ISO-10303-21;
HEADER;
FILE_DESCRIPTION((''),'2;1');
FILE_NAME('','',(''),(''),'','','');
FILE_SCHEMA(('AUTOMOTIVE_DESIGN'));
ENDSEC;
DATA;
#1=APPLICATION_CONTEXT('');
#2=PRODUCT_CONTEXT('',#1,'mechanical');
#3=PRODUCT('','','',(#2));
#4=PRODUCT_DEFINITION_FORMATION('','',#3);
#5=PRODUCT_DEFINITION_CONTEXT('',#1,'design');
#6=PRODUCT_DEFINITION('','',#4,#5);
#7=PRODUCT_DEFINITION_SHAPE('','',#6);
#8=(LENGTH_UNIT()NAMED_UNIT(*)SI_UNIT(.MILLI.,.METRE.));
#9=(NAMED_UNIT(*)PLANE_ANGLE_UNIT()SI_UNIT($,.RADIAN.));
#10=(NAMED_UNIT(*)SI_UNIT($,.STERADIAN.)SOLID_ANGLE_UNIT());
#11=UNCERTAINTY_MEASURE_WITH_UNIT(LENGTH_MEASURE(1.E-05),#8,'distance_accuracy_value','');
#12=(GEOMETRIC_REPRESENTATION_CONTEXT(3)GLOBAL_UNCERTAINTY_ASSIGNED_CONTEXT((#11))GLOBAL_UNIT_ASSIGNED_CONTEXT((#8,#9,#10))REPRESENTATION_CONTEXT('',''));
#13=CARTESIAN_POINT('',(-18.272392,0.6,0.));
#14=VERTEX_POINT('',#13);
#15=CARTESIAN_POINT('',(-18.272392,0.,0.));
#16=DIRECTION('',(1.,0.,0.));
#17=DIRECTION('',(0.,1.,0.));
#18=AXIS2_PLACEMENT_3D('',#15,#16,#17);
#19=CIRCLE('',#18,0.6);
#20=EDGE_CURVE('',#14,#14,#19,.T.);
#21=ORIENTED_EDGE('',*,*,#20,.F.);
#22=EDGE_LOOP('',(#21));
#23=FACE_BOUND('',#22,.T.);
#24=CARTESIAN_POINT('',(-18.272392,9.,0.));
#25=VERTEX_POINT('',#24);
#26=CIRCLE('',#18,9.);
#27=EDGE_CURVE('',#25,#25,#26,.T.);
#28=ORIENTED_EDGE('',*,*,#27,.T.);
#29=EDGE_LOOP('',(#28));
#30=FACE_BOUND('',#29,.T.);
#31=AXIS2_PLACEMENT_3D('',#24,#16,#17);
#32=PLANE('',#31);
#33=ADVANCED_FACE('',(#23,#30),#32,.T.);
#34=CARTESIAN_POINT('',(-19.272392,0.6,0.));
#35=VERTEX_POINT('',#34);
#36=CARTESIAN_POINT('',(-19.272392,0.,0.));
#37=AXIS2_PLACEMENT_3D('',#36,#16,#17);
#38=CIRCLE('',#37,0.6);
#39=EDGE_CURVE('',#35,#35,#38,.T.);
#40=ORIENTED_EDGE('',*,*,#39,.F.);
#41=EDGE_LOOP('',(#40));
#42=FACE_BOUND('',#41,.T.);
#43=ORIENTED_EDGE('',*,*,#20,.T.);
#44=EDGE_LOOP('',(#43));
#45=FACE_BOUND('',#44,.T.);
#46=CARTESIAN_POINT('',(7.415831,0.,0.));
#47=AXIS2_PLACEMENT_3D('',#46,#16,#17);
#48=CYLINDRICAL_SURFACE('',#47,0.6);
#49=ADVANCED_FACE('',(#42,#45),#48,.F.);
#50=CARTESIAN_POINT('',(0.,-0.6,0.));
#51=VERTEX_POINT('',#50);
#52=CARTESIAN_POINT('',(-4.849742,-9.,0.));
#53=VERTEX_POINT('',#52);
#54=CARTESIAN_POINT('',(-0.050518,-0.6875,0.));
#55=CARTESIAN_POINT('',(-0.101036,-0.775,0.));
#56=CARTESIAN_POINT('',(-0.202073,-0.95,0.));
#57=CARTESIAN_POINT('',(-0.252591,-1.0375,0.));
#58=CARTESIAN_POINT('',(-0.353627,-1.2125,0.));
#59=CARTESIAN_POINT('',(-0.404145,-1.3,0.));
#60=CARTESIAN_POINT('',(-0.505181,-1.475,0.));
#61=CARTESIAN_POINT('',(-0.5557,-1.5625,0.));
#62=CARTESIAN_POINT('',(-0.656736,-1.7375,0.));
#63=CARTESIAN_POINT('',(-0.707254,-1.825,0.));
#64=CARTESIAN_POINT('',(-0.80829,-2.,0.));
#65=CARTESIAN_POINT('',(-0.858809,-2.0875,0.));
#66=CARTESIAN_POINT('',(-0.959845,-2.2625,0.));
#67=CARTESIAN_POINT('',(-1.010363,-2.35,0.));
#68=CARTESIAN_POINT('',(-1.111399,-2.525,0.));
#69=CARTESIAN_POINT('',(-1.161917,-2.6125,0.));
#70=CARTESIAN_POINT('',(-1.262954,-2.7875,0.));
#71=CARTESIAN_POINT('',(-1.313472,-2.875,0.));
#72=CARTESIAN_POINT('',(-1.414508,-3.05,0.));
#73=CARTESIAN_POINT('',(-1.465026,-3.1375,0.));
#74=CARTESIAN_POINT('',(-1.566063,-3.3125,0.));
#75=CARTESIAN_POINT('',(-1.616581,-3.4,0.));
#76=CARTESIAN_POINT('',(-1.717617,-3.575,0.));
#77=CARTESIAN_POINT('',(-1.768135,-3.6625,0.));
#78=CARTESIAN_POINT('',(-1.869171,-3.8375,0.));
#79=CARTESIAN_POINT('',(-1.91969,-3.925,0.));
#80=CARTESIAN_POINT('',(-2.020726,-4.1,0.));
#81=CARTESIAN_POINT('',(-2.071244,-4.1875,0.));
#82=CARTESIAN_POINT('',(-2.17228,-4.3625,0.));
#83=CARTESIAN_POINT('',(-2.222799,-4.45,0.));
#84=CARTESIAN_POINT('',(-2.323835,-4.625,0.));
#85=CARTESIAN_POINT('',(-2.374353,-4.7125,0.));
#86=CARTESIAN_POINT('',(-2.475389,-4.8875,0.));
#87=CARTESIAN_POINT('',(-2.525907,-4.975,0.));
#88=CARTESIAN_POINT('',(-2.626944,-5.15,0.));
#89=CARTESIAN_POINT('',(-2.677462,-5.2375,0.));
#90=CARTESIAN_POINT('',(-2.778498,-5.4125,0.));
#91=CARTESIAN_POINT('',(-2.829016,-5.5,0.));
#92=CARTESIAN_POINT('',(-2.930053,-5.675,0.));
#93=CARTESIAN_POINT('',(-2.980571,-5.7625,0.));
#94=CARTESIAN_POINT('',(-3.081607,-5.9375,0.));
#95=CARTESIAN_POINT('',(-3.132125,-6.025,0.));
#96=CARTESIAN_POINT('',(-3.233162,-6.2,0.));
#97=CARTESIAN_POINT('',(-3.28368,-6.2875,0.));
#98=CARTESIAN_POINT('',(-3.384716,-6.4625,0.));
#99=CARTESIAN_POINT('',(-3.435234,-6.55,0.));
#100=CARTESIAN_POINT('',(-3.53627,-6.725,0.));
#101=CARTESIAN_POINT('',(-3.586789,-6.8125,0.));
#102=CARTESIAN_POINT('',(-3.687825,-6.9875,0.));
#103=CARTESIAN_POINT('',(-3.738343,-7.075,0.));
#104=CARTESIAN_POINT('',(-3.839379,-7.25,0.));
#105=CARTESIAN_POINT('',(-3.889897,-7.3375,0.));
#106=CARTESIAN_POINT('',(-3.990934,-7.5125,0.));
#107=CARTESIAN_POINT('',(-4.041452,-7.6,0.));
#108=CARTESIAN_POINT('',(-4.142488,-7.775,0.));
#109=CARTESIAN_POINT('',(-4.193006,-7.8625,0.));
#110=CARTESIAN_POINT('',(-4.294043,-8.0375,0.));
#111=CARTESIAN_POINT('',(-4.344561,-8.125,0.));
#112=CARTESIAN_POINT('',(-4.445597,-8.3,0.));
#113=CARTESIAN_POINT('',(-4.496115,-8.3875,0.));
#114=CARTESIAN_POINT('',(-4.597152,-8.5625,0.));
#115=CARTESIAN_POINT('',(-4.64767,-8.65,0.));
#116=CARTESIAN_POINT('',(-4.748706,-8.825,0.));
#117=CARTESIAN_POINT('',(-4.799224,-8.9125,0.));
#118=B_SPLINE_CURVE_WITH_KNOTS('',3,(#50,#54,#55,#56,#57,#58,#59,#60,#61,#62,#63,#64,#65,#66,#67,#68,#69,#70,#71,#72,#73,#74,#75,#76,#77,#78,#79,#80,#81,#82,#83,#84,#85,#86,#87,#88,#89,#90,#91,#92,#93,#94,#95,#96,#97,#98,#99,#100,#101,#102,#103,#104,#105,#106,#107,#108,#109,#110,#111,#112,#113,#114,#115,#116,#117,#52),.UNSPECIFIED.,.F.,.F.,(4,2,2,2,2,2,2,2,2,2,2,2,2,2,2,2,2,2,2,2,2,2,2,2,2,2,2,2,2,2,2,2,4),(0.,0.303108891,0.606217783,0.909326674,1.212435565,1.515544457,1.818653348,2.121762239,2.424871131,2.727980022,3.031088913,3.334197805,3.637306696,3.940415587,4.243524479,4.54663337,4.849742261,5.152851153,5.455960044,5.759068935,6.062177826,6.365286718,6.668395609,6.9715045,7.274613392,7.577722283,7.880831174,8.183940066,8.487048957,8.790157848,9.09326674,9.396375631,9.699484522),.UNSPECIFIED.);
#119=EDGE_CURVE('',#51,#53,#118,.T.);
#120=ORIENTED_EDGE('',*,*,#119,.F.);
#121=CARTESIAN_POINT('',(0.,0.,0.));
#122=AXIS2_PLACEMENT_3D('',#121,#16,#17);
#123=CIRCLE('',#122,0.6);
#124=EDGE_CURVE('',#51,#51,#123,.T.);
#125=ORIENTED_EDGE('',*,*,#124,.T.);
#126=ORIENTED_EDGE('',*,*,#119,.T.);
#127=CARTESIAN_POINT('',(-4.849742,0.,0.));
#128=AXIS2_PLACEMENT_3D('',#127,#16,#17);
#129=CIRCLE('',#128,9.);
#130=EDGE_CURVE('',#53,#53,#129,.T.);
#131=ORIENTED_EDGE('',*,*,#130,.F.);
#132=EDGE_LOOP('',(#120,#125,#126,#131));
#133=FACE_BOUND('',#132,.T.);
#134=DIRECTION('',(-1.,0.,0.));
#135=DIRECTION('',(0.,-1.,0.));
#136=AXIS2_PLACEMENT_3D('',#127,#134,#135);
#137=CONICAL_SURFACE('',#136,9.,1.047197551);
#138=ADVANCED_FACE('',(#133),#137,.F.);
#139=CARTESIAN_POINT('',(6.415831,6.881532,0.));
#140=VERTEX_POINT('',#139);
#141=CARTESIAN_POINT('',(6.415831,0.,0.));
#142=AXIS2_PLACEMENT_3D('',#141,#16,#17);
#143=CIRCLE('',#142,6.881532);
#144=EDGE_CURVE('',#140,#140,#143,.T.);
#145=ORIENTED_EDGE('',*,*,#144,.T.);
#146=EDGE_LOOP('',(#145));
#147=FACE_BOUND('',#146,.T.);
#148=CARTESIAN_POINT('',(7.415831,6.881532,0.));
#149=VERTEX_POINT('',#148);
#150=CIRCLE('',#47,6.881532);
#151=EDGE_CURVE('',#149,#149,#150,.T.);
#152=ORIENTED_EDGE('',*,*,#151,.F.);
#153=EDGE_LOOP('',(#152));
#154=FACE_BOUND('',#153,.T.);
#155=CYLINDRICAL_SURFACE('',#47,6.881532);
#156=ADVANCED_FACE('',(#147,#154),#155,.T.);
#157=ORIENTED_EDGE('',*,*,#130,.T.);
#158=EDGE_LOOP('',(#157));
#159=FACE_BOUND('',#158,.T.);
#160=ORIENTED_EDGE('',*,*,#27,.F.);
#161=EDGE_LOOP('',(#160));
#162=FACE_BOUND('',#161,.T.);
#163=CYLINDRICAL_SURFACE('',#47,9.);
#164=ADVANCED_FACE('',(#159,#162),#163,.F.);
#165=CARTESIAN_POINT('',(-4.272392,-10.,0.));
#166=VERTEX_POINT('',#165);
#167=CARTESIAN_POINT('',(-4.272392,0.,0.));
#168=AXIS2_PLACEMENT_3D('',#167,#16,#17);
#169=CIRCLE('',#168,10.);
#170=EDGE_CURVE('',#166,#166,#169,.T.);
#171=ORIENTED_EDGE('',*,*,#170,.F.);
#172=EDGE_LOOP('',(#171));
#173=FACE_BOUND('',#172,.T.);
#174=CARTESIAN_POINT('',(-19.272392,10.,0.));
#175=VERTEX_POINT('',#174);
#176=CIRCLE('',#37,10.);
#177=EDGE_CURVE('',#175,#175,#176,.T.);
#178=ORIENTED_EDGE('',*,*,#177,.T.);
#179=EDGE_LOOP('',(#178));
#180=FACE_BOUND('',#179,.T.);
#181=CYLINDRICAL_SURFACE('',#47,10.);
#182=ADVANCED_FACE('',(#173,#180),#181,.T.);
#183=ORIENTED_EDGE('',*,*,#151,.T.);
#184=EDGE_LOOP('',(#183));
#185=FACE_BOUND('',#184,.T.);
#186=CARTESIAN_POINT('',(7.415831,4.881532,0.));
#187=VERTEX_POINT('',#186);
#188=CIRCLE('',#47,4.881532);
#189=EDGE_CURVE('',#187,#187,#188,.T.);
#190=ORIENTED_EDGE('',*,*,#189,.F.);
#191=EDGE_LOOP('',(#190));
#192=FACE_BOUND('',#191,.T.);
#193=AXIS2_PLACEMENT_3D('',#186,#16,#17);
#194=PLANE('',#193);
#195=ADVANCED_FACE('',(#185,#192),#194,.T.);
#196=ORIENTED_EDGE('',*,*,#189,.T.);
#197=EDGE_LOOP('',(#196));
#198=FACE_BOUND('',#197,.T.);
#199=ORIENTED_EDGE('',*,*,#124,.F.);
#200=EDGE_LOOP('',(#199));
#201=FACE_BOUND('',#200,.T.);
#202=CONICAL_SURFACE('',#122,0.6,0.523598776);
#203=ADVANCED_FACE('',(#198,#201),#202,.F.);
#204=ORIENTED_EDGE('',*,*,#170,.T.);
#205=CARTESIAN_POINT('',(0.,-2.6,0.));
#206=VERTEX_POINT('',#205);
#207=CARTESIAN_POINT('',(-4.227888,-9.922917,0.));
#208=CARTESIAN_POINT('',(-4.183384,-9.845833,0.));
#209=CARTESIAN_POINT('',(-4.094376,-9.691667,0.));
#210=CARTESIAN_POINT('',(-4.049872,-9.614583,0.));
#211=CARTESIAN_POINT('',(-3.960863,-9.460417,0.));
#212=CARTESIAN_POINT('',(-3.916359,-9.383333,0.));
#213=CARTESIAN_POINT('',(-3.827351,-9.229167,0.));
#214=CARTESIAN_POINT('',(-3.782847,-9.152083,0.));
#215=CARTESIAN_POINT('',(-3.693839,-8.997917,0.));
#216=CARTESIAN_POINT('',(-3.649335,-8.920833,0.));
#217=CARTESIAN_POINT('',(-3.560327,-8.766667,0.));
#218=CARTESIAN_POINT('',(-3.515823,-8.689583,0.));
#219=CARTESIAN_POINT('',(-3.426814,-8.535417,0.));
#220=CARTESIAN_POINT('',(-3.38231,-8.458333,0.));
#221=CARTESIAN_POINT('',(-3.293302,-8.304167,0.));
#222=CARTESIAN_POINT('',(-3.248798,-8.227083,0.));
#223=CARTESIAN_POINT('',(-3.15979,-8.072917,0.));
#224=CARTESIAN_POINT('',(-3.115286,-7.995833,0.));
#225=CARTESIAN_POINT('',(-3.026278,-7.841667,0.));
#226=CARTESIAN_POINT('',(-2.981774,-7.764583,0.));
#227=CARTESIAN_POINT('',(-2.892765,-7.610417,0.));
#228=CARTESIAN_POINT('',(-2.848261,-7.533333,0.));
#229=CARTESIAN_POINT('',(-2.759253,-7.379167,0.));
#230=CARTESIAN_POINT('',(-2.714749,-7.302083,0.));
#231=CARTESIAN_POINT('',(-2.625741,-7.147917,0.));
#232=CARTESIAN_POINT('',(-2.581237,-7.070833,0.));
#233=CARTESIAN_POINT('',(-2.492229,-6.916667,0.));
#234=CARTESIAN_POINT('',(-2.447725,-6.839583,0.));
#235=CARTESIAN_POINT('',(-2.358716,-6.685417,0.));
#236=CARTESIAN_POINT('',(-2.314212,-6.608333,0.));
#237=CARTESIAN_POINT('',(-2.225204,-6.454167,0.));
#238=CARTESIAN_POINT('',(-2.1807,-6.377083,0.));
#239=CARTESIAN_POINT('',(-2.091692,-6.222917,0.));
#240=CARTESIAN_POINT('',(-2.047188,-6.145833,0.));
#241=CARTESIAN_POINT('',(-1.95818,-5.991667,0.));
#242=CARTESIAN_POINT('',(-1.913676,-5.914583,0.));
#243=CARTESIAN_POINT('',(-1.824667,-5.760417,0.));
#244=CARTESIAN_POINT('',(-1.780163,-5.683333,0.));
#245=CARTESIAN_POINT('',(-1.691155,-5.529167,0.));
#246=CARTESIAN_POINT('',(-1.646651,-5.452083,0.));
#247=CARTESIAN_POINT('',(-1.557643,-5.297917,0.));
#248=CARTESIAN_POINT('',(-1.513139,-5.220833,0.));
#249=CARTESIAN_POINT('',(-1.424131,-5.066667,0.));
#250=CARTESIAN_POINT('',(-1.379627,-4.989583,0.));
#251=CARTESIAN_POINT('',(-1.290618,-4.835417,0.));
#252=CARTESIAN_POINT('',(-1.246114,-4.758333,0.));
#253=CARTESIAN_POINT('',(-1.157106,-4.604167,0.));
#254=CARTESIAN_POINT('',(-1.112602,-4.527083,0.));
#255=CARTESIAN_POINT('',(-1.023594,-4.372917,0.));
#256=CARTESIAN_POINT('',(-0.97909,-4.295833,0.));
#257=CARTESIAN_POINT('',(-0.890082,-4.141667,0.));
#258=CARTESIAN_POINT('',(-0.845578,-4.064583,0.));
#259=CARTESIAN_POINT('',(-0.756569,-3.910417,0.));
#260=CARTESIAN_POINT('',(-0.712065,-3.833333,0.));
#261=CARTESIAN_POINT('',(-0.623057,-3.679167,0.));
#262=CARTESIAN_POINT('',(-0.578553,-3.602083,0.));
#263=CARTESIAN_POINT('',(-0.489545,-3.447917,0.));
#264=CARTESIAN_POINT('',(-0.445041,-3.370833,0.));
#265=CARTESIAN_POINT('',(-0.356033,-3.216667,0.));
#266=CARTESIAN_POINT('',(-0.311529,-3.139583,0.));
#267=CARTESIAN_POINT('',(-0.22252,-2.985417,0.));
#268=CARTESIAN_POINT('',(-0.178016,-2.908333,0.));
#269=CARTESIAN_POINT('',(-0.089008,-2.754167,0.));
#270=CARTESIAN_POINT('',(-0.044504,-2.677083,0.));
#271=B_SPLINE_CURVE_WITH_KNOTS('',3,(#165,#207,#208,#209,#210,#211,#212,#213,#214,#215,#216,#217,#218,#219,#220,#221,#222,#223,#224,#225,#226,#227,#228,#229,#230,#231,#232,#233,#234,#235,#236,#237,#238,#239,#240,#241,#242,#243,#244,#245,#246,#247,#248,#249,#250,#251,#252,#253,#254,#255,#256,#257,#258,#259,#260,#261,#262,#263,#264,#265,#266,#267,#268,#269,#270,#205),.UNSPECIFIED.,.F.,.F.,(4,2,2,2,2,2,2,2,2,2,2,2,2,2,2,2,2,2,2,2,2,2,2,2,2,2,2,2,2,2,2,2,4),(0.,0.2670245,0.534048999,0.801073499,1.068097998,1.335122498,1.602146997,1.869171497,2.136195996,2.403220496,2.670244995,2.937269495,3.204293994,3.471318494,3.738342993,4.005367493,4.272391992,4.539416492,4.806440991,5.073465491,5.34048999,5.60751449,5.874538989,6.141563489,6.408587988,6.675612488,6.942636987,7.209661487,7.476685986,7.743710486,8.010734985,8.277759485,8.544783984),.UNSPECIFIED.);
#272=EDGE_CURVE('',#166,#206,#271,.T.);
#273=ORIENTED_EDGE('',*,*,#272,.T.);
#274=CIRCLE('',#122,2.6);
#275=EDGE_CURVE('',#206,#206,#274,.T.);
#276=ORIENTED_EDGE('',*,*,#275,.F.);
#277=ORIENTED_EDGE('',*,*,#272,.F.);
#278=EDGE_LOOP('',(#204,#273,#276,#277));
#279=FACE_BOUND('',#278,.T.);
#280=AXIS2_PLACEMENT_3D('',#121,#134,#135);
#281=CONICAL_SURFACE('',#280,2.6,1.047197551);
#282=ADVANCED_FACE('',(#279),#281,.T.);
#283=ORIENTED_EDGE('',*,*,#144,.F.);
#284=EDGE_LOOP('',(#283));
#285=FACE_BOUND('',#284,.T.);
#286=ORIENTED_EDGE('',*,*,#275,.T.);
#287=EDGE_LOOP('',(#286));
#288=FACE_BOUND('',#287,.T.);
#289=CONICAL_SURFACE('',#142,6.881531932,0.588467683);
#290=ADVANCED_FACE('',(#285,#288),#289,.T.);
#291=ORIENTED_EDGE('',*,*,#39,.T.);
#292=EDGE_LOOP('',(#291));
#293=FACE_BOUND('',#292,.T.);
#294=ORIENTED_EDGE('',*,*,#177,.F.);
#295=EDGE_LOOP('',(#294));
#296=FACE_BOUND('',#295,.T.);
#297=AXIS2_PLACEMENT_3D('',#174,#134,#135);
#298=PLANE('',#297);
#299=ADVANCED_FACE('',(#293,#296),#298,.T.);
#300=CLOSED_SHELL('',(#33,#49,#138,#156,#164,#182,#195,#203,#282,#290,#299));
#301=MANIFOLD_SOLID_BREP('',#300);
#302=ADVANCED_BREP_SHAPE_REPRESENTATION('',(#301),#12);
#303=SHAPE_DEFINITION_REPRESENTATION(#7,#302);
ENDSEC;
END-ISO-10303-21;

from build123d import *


with BuildPart() as part:
    # Sketch1 → Revolve1 (revolve)
    with BuildSketch(Plane.XY):
        Polygon((0, 0.6), (7.41583084, 4.881531932), (7.41583084, 6.881531932), (6.41583084, 6.881531932), (0, 2.6), (-4.272391992, 10), (-19.272391992, 10), (-19.272391992, 0.6), (-18.272391992, 0.6), (-18.272391992, 9), (-4.849742261, 9), align=None)
    revolve(axis=Axis((7.41583084, 0, 0), (-1, 0, 0)))


solid = part.part
